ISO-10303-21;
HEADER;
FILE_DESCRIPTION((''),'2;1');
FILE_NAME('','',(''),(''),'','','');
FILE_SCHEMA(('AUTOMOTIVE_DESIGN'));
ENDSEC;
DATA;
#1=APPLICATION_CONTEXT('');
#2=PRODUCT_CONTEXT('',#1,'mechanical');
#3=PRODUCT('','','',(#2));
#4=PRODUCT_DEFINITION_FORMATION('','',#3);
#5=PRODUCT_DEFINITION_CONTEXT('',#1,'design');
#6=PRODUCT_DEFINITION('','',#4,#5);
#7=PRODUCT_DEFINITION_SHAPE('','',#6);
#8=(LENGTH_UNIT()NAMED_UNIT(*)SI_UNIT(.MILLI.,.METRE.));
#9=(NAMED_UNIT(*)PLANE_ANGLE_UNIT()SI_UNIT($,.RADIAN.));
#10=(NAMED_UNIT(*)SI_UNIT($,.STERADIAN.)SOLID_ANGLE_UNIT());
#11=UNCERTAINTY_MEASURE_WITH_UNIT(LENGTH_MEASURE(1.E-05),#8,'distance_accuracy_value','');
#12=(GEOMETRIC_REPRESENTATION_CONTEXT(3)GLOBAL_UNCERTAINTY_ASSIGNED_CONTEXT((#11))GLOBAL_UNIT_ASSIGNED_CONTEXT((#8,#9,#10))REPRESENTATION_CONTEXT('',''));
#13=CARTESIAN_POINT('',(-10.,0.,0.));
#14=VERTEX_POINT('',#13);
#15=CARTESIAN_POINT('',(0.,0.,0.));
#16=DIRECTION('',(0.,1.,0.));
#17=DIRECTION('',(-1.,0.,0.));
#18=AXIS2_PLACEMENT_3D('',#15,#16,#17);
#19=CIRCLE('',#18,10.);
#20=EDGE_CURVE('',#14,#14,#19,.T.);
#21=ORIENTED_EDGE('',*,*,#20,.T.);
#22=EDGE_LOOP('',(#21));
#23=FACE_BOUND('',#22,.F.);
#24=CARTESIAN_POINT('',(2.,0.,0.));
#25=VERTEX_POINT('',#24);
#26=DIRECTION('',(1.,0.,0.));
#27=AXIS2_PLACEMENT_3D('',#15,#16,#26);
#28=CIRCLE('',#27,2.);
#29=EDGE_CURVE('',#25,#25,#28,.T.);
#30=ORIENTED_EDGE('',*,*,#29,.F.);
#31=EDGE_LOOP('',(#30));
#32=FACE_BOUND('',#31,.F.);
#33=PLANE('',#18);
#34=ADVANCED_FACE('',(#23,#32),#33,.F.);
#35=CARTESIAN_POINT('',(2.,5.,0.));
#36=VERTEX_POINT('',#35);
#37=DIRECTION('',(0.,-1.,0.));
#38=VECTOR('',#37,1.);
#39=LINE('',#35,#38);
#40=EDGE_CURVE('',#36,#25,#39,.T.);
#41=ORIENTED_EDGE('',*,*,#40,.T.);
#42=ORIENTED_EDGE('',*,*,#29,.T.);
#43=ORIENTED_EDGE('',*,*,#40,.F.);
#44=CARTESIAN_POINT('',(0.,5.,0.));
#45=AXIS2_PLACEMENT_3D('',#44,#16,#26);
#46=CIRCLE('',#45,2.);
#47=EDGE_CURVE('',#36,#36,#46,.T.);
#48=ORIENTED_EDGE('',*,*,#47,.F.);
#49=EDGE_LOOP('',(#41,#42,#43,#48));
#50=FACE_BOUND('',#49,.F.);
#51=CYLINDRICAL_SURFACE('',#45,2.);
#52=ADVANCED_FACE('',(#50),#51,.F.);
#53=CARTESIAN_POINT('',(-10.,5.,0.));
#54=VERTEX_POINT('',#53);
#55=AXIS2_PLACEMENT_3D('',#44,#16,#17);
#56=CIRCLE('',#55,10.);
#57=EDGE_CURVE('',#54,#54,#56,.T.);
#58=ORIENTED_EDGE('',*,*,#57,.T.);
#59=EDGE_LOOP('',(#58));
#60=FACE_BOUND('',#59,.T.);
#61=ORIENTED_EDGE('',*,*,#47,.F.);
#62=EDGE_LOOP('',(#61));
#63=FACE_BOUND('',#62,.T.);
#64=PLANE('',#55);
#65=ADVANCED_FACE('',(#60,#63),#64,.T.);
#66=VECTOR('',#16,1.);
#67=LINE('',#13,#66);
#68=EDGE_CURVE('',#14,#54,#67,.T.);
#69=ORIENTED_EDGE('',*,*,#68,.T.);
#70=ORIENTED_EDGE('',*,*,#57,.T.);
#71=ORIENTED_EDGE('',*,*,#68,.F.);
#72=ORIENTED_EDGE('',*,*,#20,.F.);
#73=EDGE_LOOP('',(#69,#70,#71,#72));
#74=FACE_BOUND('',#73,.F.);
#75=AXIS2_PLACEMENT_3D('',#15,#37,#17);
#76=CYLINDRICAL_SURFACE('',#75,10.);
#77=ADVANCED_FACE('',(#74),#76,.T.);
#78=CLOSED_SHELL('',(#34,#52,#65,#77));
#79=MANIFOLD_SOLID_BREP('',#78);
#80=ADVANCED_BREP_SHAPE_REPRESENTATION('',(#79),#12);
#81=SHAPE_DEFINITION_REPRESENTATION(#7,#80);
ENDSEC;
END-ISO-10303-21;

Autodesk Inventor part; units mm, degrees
ref_plane "YZ Plane" through (0, 0, 0) normal (1, 0, 0) x (0, 1, 0)
ref_plane "XZ Plane" through (0, 0, 0) normal (0, 1, 0) x (-1, 0, 0)
ref_plane "XY Plane" through (0, 0, 0) normal (0, 0, 1) x (1, 0, 0)
sketch "Эскиз1" plane through (0, 0, 0) normal (0, 1, 0) x (-1, 0, 0)
  circle A0 centre (0, 0) radius 10
  dimension "d0" = 20
extrude "Выдавливание1" add sketch "Эскиз1" along normal blind 5
sketch "Эскиз2" plane through (0, 5, 0) normal (0, 1, 0) x (1, 0, 0)
  circle A0 centre (0, 0) radius 10 projected
  circle A1 centre (0, 0) radius 8
  circle A2 centre (0, 0) radius 2
  point P0 (-2, 0)
  point P1 (2, 0)
  dimension "d3" = 16
  dimension "d4" = 4
extrude "Выдавливание2" cut sketch "Эскиз2" against normal blind 23.75 contours A2
properties part number "Диск (стенка, бол вала)"
